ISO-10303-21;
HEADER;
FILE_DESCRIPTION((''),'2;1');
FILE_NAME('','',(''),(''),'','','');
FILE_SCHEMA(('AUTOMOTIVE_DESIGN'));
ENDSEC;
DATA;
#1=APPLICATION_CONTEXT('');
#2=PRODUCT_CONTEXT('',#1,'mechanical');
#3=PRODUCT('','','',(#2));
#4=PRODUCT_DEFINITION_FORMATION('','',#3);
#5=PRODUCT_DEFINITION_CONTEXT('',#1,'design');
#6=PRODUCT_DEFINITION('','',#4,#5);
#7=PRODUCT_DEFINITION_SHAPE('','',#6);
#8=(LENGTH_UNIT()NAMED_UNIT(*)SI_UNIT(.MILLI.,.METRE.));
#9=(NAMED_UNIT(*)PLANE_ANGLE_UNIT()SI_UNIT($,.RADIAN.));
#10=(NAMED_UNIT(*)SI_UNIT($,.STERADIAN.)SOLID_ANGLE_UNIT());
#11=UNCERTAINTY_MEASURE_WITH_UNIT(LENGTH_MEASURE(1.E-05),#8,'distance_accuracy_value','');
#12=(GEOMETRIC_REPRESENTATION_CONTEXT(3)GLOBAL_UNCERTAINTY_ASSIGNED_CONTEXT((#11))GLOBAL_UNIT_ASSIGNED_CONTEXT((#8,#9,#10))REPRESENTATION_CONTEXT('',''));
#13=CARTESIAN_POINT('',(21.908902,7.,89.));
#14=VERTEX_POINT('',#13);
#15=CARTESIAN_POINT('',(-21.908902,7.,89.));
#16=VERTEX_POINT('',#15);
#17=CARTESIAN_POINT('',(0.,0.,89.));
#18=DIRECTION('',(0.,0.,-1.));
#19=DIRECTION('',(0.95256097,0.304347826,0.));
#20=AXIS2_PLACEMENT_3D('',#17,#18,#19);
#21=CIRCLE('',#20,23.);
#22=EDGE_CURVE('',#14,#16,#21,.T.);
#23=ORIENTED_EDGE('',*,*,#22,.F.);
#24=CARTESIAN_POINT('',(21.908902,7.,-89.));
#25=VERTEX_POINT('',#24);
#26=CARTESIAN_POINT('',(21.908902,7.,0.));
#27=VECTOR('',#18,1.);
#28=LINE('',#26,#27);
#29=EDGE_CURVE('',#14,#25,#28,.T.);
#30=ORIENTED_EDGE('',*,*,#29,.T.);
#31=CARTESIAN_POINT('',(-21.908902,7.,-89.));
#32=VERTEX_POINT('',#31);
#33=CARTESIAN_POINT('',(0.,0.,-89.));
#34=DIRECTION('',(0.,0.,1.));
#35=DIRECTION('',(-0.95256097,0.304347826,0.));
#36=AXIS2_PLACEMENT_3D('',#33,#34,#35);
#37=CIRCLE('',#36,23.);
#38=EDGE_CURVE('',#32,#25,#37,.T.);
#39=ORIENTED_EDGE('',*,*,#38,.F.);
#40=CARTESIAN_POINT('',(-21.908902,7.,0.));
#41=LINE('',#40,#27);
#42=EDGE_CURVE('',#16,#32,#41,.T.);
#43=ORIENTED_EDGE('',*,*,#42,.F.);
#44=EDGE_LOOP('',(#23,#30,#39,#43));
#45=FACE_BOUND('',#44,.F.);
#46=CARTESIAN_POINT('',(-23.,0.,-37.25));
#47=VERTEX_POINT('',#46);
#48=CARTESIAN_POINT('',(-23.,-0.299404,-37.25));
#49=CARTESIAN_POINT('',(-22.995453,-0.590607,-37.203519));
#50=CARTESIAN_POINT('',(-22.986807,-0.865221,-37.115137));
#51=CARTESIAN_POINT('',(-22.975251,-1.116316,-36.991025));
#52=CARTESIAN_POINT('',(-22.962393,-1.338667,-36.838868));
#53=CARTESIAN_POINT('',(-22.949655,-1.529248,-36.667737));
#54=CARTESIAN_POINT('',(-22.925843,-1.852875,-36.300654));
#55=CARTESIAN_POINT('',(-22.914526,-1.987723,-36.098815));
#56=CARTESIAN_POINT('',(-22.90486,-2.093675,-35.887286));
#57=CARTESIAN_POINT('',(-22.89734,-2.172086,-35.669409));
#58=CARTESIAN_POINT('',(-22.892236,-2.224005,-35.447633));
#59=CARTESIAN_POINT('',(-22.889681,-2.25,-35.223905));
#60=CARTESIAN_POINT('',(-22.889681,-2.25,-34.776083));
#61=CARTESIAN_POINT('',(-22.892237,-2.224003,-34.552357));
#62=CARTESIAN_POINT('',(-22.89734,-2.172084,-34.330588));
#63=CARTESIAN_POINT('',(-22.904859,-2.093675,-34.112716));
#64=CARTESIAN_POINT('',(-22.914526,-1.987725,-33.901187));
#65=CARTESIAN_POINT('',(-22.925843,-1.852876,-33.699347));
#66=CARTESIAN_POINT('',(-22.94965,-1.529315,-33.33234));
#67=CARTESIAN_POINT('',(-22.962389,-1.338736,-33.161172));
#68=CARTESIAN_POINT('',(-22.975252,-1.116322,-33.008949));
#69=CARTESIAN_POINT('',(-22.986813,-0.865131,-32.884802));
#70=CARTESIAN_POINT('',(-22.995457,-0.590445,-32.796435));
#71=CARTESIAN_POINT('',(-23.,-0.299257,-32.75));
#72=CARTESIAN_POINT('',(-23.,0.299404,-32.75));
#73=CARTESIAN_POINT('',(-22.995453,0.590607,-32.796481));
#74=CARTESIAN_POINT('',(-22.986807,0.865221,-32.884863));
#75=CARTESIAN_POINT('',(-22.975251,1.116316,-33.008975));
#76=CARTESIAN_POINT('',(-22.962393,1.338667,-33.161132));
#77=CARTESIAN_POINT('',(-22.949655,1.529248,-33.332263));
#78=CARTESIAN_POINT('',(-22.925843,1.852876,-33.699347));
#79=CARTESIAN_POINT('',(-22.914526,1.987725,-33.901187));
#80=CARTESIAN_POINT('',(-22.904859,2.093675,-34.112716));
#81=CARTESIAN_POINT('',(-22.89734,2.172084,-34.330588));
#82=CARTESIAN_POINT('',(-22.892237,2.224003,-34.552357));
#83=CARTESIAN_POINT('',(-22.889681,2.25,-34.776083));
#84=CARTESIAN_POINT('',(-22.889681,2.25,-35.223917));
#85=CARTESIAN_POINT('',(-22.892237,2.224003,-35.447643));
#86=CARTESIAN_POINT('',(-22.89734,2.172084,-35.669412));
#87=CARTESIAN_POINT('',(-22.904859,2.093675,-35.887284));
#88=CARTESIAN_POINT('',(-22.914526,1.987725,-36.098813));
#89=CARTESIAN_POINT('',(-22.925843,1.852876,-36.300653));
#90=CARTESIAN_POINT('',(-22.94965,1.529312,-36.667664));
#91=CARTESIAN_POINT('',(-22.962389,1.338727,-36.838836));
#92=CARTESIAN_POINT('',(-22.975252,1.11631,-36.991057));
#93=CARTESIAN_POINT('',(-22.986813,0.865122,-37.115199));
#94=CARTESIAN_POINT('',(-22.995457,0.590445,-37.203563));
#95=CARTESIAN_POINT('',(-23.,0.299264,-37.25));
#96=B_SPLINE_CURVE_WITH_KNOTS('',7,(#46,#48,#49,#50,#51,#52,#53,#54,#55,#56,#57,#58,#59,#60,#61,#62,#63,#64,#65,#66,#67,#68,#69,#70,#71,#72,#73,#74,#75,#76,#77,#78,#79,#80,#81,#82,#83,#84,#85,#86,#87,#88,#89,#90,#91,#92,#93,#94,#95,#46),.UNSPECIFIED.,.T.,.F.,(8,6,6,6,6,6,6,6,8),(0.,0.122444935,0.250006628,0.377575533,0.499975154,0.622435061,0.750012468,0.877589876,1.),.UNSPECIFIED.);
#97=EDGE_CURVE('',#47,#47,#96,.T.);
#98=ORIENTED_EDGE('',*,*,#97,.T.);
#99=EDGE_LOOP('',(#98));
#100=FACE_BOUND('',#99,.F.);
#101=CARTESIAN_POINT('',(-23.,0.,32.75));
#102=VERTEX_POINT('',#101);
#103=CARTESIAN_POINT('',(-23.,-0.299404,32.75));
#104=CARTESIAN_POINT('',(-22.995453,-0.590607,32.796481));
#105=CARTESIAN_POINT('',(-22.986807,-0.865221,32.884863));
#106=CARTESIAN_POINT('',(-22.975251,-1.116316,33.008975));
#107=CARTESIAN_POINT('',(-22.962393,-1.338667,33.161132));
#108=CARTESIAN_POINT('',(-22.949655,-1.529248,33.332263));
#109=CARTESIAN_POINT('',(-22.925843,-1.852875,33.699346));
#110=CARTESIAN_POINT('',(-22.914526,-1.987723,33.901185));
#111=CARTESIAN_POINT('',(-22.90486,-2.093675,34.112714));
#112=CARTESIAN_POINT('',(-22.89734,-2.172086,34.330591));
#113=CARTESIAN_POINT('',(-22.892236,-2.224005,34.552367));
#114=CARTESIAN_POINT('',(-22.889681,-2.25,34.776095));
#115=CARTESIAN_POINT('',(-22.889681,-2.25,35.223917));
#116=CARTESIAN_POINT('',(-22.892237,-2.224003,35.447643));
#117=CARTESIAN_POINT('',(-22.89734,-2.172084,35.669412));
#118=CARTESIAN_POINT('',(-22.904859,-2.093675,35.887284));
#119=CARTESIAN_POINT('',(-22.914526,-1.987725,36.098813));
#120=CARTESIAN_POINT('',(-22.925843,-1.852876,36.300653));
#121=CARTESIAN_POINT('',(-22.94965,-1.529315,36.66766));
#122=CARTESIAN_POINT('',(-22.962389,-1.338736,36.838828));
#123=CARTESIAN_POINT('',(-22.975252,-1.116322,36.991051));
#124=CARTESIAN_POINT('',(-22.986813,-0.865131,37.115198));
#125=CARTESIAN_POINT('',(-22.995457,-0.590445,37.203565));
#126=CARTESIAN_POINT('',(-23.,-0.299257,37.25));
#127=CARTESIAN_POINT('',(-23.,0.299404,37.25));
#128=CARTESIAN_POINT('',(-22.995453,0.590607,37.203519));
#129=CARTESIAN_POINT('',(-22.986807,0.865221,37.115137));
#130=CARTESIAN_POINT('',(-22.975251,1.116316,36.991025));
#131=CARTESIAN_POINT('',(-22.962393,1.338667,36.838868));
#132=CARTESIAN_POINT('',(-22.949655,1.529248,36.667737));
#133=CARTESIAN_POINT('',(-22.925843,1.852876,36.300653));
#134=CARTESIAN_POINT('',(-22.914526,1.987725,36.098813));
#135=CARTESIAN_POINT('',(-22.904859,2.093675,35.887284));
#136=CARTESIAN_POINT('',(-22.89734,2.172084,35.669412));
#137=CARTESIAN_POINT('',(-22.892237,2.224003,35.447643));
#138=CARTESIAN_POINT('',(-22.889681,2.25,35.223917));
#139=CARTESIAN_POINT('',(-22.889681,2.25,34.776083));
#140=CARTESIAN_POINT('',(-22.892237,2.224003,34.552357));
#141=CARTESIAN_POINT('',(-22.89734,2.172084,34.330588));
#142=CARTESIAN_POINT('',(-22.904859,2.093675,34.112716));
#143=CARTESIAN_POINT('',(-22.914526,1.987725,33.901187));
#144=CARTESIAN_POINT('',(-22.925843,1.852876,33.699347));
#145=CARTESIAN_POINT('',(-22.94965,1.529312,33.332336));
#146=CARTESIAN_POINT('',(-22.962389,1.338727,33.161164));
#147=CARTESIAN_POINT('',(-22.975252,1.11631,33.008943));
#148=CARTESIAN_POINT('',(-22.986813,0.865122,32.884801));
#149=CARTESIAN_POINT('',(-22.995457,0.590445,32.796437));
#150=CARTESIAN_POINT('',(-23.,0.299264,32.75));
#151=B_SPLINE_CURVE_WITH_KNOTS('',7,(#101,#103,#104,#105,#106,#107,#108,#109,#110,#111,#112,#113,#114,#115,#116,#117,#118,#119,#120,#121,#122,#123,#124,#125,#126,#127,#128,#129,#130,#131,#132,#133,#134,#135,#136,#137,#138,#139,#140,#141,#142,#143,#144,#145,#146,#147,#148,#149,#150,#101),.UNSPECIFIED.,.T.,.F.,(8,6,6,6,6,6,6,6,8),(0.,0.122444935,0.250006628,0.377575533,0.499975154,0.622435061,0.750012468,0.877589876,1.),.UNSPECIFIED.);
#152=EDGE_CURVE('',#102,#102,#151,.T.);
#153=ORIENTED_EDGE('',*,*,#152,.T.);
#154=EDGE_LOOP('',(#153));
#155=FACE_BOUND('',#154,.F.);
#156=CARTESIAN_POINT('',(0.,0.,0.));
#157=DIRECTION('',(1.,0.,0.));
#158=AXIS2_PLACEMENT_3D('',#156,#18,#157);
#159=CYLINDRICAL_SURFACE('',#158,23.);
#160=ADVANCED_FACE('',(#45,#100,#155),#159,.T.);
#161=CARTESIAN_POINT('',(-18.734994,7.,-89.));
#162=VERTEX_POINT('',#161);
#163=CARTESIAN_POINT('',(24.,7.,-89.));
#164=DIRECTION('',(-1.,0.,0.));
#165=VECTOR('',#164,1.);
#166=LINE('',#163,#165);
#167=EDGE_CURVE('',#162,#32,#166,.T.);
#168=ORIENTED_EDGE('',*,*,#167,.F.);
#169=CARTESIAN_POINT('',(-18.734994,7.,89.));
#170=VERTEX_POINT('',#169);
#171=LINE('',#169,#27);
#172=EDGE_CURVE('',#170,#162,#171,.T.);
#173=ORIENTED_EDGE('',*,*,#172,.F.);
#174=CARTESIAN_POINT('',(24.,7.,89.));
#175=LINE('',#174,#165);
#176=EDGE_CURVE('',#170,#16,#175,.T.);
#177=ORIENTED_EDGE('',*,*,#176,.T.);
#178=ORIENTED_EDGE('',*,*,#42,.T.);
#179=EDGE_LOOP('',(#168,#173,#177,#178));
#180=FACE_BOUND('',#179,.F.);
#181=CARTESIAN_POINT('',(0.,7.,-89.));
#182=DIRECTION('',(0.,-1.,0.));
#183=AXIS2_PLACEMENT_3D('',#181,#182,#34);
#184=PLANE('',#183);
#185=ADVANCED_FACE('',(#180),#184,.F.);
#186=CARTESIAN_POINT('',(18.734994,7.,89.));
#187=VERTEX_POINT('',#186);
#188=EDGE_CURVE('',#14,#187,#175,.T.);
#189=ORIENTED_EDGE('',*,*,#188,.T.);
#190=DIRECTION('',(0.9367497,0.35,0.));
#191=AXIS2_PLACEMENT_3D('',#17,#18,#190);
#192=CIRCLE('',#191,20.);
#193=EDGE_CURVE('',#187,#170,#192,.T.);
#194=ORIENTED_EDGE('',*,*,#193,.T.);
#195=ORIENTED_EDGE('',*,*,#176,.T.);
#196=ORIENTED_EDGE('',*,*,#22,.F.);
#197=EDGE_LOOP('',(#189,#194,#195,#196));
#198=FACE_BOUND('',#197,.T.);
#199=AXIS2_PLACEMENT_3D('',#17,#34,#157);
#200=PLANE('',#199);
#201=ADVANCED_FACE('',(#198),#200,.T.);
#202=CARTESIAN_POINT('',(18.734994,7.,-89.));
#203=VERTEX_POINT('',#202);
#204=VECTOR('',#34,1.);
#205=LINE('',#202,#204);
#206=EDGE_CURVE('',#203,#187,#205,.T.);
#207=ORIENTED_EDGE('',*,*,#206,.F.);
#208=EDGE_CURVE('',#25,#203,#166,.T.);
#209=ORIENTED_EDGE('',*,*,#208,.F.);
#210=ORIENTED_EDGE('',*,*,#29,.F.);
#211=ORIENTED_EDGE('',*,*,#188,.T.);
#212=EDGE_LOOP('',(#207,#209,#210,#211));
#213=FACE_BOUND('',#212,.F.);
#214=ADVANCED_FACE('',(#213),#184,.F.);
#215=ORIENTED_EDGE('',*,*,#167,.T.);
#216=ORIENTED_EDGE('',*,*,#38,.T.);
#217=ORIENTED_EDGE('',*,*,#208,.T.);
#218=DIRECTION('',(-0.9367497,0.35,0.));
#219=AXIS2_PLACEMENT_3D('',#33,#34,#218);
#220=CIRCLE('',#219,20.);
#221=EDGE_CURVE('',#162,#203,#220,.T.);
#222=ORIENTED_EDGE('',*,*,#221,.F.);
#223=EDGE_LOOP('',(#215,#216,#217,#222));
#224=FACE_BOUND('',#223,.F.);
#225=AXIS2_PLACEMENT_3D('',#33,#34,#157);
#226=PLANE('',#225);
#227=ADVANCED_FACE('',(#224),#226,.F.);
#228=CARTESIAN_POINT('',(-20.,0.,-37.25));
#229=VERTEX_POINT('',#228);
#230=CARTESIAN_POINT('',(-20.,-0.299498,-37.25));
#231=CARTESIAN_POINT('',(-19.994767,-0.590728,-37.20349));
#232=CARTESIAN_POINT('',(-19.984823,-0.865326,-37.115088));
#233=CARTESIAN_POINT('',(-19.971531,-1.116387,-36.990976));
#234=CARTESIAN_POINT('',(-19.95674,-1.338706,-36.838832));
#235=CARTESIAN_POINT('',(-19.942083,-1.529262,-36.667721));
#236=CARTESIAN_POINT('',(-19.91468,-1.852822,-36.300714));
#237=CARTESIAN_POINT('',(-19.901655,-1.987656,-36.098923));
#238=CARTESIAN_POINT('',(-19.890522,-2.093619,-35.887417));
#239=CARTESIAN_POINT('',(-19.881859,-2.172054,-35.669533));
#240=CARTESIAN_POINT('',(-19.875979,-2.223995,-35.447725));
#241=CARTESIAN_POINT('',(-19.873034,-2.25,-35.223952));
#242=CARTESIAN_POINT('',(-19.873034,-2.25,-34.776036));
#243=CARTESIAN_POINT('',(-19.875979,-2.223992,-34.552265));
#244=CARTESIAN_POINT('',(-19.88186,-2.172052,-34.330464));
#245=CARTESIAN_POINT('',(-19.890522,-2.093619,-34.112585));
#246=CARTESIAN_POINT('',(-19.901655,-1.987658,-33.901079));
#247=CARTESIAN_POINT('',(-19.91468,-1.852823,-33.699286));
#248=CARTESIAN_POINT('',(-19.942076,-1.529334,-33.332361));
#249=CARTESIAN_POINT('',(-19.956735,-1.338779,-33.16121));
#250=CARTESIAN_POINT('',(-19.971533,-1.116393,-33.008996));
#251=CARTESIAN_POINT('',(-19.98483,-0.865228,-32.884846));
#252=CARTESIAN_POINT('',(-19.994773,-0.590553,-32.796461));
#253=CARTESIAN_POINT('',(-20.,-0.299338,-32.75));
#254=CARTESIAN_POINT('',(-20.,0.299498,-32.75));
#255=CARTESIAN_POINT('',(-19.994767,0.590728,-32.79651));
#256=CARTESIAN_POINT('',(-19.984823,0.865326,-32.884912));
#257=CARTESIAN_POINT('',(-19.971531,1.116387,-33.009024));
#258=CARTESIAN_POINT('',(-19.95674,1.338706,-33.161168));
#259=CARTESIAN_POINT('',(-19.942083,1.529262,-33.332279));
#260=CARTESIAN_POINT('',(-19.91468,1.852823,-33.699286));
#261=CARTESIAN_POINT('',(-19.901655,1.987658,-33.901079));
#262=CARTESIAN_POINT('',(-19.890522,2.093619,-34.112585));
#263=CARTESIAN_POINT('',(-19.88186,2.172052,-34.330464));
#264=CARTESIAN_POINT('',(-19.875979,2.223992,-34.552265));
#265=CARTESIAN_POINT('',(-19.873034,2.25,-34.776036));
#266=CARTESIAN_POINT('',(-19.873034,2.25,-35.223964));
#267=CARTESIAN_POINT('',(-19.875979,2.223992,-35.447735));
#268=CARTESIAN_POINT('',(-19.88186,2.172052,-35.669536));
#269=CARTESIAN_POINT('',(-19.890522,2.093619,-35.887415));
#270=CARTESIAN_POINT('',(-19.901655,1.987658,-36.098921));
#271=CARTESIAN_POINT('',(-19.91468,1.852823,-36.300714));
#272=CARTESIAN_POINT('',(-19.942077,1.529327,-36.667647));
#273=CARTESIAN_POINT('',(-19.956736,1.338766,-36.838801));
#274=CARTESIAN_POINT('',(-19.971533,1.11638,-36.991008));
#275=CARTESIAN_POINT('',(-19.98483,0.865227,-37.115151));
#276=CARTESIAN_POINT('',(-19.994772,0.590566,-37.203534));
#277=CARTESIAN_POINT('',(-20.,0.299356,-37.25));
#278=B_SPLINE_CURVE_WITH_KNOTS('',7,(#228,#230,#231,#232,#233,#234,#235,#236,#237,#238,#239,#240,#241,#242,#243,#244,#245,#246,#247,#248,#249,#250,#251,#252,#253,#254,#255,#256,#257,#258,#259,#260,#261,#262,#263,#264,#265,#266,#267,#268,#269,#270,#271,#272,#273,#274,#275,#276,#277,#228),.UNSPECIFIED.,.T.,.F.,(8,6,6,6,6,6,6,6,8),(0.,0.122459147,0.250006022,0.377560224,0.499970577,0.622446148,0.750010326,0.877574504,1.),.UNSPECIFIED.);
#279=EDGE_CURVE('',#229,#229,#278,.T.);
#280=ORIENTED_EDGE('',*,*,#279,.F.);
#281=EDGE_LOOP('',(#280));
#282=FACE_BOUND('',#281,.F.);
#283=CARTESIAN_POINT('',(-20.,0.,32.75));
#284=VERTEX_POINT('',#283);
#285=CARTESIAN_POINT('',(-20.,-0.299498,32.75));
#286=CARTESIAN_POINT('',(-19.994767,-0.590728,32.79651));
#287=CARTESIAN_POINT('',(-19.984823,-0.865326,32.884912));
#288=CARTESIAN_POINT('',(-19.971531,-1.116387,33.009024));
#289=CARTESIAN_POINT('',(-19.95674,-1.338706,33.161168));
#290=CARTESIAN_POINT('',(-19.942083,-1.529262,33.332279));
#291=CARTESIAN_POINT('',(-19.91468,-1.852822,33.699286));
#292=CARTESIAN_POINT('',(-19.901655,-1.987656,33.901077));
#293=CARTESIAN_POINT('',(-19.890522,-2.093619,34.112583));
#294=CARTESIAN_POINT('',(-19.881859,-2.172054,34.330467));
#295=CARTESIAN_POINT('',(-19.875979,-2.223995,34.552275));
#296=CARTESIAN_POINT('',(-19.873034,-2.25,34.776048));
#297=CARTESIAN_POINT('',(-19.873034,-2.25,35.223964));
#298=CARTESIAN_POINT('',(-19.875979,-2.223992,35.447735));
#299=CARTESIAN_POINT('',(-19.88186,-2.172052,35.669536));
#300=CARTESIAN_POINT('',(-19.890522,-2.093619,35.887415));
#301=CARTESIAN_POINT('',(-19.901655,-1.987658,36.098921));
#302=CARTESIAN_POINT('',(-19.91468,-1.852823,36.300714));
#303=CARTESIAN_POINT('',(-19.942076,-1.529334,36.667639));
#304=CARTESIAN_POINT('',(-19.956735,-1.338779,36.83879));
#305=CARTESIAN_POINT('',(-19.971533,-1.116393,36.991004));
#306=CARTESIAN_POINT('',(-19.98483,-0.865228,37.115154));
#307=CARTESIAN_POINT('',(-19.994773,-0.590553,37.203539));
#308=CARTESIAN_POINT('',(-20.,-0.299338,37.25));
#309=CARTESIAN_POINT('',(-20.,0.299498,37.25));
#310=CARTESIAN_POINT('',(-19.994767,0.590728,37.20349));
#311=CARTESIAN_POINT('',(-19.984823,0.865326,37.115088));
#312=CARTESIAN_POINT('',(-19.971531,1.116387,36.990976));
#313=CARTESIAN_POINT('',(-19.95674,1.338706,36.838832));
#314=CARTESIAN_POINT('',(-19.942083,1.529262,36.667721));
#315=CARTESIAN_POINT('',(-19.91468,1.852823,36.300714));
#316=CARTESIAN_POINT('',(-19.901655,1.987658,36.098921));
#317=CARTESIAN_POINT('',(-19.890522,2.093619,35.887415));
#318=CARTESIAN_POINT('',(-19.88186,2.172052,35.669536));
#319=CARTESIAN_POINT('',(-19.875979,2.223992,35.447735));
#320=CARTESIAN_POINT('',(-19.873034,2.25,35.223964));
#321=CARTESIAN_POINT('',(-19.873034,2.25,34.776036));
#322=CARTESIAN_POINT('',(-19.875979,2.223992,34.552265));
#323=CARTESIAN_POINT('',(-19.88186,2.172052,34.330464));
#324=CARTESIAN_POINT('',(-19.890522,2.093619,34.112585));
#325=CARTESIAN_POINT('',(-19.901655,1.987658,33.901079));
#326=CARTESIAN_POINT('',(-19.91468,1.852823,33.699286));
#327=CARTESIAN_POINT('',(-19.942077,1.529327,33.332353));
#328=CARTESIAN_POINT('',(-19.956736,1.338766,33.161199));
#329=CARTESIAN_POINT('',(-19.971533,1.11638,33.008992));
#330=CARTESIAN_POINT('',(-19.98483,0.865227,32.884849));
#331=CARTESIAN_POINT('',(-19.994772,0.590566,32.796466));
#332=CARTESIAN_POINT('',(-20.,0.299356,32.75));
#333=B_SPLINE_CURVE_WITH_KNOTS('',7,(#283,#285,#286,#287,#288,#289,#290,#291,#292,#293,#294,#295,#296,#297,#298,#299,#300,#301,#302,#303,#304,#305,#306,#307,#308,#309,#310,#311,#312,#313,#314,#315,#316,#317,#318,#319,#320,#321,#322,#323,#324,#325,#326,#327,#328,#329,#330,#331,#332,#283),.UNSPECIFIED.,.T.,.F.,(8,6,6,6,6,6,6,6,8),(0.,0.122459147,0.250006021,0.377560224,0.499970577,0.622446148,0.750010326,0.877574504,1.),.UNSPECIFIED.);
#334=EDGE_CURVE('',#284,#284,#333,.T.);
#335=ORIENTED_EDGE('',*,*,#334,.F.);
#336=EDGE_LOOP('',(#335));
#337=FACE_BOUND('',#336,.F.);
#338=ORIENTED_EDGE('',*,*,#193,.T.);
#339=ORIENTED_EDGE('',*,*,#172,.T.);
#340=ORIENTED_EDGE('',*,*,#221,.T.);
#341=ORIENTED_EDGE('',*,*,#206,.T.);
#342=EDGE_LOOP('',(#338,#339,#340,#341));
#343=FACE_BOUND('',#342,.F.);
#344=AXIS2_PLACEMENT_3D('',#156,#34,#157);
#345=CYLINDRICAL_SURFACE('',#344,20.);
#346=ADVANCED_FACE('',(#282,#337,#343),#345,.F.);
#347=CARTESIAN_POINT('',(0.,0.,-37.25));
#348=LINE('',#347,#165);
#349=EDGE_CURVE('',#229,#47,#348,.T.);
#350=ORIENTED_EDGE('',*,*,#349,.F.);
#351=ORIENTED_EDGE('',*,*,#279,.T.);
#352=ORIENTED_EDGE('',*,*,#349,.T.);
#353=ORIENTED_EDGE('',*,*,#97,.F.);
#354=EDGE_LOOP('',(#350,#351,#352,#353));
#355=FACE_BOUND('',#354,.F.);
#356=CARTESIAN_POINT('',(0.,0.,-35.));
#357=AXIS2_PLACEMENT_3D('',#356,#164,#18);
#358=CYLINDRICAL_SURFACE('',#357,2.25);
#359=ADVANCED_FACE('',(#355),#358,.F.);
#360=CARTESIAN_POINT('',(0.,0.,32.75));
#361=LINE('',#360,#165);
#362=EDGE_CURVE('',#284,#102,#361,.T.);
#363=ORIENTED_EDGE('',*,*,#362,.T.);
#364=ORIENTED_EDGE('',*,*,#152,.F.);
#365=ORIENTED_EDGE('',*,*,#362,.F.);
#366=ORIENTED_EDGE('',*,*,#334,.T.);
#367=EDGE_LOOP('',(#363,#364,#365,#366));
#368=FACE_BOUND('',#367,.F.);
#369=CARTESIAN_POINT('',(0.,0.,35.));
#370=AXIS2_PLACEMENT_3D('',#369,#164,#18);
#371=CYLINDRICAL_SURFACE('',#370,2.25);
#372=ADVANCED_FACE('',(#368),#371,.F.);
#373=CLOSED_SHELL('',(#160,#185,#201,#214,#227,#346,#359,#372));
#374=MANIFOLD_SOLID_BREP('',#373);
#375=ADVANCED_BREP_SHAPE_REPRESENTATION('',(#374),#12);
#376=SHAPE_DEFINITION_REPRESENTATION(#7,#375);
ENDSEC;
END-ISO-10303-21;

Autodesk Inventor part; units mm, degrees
ref_plane "YZ Plane" through (0, 0, 0) normal (1, 0, 0) x (0, 1, 0)
ref_plane "XZ Plane" through (0, 0, 0) normal (0, 1, 0) x (-1, 0, 0)
ref_plane "XY Plane" through (0, 0, 0) normal (0, 0, 1) x (1, 0, 0)
sketch "Sketch1" plane through (0, 0, 0) normal (0, 0, 1) x (1, 0, 0)
  circle A0 centre (0, 0) radius 20
  circle A1 centre (0, 0) radius 23
  dimension "d0" = 40
  dimension "d1" = 46
extrude "Extrusion1" add sketch "Sketch1" along normal mid plane 178
sketch "Sketch2" plane through (0, 0, 0) normal (1, 0, 0) x (0, 1, 0)
  line L0 (0, 70) -> (0, -70) projected
  line L1 (-70, 0) -> (70, 0) projected
  point P0 (0, 0)
  point P1 (0, 35)
  point P2 (0, -35)
  dimension "d19" = 35
  dimension "d20" = 70
hole "Hole1" at (0, 0, 35) at (0, 0, -35) direction (-1, 0, 0) diameter 4.5 end through all clearance for "Flat Head Machine Screw" size "M4" standard "Ansi Metric M Profile"
sketch "Sketch3" plane through (0, 0, 0) normal (1, 0, 0) x (0, 1, 0)
  line L0 (23, -89) -> (7, -89)
  line L1 (7, -89) -> (7, 89)
  line L2 (7, 89) -> (23, 89)
  line L3 (23, 89) -> (23, -89)
  line L4 (23, 89) -> (-23, 89) projected
  line L5 (-23, -89) -> (23, -89) projected
  line L6 (0, 159.6) -> (0, -159.6) projected
  point P0 (0, 0)
  dimension "d13" = 0
  dimension "d14" = 0
  dimension "d15" = 7
extrude "Extrusion2" cut sketch "Sketch3" along normal through all both and the other way through all contours L0 L1 L2 L3
equation "\"d19\" = 0.5 * d20"
properties part number "Top_Tilt Pipe_3 Lanes" material "PVC-Piping"
